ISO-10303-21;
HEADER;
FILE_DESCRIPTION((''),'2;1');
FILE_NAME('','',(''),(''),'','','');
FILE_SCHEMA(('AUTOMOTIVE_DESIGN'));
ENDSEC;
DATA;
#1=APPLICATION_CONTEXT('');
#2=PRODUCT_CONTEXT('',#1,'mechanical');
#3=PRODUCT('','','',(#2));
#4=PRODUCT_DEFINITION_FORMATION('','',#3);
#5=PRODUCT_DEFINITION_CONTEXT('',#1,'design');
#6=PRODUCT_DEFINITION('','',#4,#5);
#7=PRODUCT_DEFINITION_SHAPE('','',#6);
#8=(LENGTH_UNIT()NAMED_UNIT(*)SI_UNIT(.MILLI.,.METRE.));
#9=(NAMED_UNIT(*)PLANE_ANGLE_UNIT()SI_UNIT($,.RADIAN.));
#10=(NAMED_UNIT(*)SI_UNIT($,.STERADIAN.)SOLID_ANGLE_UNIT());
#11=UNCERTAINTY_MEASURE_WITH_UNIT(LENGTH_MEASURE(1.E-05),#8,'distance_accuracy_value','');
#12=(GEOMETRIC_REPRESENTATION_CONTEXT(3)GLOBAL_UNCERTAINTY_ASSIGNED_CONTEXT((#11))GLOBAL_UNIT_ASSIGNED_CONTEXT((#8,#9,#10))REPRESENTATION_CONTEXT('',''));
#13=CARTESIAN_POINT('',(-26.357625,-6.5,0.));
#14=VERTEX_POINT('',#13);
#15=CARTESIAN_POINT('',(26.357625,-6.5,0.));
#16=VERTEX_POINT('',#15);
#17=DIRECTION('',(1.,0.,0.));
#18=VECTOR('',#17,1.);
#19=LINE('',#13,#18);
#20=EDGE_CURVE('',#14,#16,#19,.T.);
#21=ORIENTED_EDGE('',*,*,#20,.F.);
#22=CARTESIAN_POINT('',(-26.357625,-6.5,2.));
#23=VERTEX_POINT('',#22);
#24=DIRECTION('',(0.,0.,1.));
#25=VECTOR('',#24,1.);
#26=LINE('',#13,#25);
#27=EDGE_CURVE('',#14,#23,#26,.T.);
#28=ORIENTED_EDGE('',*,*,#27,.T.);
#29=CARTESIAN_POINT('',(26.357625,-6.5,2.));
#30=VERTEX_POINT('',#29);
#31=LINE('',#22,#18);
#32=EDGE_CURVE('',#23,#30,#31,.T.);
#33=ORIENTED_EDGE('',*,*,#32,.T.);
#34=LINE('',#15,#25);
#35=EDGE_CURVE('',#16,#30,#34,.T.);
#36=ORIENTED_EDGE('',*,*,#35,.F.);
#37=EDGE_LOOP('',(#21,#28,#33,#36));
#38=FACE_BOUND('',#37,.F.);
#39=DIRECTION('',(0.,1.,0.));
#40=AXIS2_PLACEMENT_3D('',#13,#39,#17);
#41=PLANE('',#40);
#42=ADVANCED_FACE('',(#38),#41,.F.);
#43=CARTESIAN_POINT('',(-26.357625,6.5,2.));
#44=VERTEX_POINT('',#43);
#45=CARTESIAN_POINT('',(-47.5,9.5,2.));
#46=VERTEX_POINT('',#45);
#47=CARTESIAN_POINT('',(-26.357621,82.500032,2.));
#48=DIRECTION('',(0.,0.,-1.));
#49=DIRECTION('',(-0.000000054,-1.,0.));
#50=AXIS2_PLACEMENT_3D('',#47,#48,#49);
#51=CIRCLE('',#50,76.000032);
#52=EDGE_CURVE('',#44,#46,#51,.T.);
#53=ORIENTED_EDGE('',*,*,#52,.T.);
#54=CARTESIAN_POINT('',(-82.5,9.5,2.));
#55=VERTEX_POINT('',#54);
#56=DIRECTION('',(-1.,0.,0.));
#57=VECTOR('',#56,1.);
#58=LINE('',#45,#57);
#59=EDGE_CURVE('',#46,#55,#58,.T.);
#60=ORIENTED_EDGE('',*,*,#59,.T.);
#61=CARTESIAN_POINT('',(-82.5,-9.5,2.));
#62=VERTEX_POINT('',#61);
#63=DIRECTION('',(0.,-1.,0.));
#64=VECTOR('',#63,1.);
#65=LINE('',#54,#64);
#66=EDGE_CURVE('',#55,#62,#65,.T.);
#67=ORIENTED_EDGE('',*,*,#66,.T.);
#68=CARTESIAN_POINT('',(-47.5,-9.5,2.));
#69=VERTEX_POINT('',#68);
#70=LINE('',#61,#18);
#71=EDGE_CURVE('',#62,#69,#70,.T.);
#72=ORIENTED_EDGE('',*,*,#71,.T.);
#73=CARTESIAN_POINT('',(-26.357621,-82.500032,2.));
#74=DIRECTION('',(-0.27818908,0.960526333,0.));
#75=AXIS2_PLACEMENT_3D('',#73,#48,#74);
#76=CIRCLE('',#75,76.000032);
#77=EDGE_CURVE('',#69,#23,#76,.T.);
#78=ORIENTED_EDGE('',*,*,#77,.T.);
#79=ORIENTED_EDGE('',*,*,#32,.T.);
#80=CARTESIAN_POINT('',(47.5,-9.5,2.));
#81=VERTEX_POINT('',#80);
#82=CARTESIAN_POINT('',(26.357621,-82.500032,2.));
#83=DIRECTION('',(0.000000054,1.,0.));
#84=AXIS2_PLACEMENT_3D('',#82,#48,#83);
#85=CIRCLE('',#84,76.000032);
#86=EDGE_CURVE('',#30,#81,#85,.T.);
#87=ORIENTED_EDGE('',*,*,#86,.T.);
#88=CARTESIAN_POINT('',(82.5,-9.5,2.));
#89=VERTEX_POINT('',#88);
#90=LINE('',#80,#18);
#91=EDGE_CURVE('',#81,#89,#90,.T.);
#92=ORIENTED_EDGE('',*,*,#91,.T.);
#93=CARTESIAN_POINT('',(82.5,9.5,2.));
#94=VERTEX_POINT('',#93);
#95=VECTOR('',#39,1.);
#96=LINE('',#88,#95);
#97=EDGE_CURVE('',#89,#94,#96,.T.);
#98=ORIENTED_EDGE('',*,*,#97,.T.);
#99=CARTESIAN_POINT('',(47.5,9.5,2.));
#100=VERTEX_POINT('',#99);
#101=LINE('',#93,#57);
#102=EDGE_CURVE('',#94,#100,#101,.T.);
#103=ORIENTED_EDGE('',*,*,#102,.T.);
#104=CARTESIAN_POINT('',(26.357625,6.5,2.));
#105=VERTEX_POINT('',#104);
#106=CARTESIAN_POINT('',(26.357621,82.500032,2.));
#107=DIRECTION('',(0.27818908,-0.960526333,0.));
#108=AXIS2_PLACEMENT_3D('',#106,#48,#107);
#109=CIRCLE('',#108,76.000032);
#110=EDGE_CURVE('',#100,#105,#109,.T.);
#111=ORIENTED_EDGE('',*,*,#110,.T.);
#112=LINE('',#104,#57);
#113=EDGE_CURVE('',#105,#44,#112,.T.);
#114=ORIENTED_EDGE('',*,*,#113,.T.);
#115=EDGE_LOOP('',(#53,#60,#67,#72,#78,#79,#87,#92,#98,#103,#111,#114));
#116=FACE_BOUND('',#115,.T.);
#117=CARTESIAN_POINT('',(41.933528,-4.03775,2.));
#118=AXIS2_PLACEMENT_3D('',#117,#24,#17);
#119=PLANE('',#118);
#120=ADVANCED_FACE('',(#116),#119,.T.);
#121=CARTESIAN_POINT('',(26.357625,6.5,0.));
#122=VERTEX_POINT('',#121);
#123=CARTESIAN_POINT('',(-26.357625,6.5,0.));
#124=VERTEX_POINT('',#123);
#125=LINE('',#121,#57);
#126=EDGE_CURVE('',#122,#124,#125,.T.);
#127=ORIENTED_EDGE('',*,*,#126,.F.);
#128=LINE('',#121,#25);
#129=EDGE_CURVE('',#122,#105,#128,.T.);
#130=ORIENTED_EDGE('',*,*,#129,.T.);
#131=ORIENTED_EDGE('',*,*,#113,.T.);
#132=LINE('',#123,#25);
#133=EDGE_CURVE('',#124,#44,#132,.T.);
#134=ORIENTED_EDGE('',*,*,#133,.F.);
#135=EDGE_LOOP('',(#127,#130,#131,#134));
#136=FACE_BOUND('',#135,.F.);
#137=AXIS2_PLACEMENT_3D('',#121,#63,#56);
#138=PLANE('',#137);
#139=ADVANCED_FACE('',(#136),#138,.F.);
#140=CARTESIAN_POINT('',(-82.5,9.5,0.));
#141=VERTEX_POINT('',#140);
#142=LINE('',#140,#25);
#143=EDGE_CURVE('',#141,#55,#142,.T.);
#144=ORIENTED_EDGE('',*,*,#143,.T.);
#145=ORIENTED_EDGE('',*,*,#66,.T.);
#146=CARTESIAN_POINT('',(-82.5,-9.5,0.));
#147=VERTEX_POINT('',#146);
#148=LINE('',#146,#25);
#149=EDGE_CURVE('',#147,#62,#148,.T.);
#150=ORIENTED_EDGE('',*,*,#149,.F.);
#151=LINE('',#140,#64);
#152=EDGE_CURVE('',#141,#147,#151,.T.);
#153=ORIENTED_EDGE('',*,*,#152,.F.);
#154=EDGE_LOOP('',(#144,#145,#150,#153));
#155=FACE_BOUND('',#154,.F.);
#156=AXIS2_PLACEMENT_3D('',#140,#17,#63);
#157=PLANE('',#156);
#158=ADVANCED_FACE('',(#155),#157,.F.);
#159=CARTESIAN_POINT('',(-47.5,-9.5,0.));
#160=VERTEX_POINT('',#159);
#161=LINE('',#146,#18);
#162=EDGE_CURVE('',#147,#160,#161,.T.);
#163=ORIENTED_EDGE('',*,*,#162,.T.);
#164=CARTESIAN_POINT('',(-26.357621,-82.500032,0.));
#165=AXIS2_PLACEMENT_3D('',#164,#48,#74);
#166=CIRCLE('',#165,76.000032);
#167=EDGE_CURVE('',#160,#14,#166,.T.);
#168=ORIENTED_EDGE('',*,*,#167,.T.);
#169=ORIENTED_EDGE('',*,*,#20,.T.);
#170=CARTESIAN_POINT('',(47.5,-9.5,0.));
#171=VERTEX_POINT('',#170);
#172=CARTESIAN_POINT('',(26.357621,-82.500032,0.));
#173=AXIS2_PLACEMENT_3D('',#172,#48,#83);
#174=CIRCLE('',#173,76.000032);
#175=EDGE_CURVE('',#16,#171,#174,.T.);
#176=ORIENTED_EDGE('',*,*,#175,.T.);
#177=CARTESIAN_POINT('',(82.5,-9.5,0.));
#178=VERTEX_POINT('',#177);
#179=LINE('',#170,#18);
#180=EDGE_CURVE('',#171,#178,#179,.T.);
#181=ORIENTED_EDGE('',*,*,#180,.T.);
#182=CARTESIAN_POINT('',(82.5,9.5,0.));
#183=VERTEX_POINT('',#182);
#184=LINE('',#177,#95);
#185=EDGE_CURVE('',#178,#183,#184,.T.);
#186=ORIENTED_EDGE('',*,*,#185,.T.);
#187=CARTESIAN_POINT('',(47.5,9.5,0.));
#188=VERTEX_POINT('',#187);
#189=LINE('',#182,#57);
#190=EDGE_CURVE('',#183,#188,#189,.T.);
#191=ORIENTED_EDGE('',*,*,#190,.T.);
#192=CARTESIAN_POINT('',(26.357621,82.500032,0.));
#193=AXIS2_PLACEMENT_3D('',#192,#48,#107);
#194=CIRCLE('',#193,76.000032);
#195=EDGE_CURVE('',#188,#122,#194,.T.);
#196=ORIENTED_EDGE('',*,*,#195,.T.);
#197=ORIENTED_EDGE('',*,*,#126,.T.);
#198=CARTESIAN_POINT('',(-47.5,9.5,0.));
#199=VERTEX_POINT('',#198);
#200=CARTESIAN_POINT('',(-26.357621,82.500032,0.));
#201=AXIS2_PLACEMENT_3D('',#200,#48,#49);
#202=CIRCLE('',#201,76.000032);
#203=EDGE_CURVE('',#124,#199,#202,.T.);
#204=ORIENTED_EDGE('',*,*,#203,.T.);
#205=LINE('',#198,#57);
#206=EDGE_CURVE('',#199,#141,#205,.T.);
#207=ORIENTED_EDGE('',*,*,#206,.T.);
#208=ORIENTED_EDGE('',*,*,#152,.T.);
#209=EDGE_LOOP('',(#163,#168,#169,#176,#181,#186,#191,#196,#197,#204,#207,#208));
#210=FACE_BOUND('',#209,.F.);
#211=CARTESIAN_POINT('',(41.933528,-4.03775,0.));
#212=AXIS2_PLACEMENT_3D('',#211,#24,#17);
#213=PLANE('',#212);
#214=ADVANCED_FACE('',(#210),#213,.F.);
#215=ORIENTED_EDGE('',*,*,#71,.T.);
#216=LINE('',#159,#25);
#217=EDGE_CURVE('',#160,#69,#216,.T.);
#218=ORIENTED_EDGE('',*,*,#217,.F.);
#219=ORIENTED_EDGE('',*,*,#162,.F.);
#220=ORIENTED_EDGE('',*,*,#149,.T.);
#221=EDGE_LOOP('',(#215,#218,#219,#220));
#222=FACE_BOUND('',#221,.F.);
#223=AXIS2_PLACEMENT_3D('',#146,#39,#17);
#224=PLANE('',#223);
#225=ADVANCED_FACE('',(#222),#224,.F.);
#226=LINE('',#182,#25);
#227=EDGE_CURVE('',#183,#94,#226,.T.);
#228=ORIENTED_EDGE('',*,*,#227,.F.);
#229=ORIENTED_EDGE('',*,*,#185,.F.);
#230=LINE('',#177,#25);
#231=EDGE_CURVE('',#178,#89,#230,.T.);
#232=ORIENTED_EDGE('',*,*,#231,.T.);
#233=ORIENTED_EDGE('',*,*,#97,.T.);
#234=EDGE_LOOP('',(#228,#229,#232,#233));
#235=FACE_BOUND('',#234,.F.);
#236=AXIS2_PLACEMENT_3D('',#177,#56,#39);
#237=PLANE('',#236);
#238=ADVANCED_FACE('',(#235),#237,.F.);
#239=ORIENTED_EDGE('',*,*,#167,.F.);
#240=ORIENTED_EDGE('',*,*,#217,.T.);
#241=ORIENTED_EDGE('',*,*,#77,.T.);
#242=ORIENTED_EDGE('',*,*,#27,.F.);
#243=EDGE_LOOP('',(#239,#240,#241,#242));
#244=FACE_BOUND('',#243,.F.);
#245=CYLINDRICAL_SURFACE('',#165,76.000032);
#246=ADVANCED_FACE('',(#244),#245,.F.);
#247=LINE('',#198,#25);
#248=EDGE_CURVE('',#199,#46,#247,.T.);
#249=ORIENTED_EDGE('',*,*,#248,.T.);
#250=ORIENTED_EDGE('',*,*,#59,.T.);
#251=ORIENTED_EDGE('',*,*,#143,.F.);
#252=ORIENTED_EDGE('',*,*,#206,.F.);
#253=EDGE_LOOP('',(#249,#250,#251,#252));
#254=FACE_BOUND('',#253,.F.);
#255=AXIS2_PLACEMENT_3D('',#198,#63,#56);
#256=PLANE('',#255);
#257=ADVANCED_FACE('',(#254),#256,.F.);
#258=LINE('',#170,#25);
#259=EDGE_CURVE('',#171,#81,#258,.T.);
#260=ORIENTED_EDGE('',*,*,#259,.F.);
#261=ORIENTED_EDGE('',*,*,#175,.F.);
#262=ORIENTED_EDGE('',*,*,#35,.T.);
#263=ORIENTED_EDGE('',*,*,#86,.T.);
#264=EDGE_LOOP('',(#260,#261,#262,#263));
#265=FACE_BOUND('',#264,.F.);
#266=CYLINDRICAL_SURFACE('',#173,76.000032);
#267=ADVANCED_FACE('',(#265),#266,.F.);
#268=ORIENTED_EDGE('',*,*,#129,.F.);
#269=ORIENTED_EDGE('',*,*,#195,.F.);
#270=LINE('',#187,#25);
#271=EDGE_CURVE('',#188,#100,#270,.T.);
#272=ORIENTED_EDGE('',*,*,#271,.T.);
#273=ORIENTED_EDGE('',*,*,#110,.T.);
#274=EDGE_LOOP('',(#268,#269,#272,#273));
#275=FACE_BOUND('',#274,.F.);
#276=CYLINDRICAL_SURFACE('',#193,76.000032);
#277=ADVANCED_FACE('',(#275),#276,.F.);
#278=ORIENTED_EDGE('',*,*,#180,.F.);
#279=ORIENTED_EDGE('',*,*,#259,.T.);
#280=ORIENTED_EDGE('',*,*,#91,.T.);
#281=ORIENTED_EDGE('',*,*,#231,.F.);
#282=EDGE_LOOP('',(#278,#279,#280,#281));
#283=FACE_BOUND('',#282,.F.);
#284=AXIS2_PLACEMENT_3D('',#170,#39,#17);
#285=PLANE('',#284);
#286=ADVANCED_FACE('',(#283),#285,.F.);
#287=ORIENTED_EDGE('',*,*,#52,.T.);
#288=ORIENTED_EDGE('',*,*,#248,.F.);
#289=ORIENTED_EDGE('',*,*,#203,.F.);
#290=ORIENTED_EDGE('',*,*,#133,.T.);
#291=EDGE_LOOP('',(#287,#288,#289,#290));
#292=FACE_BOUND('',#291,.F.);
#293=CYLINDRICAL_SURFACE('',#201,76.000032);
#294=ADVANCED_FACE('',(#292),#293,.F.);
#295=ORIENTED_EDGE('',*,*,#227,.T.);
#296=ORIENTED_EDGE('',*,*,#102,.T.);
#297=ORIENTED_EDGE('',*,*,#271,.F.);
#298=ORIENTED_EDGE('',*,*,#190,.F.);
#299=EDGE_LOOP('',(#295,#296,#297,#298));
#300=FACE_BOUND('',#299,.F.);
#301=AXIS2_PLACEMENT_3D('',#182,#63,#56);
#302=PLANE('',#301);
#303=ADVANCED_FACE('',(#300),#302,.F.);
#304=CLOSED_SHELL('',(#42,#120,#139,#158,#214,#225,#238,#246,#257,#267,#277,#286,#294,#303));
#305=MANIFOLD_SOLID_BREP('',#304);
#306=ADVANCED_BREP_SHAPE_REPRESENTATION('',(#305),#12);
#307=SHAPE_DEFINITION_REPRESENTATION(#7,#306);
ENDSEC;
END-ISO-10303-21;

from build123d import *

# Parameters (mm, degrees)
F1_DEPTH = 2


with BuildPart() as f1:
    # F0 (on Top) → F1 (new body)
    with BuildSketch(Plane.XY):
        with BuildLine():
            Line((82.5, 0), (0, 0))
            Line((0, 0), (0, -6.5))
            Line((0, -6.5), (26.357625, -6.5))
            ThreePointArc((26.357625, -6.5), (37.034704, -7.253738), (47.5, -9.5))
            Line((47.5, -9.5), (82.5, -9.5))
            Line((82.5, -9.5), (82.5, 0))
        make_face()
        with BuildLine():
            Line((0, -6.5), (0, 0))
            Line((0, 0), (82.5, 0))
            Line((82.5, 0), (82.5, 9.5))
            Line((82.5, 9.5), (47.5, 9.5))
            ThreePointArc((47.5, 9.5), (37.034704, 7.253738), (26.357625, 6.5))
            Line((26.357625, 6.5), (0, 6.5))
            Line((0, 6.5), (-26.357625, 6.5))
            ThreePointArc((-26.357625, 6.5), (-37.034704, 7.253738), (-47.5, 9.5))
            Line((-47.5, 9.5), (-82.5, 9.5))
            Line((-82.5, 9.5), (-82.5, 0))
            Line((-82.5, 0), (-82.5, -9.5))
            Line((-82.5, -9.5), (-47.5, -9.5))
            ThreePointArc((-47.5, -9.5), (-37.034704, -7.253738), (-26.357625, -6.5))
            Line((-26.357625, -6.5), (0, -6.5))
        make_face()
    extrude(amount=F1_DEPTH)


solid = f1.part
